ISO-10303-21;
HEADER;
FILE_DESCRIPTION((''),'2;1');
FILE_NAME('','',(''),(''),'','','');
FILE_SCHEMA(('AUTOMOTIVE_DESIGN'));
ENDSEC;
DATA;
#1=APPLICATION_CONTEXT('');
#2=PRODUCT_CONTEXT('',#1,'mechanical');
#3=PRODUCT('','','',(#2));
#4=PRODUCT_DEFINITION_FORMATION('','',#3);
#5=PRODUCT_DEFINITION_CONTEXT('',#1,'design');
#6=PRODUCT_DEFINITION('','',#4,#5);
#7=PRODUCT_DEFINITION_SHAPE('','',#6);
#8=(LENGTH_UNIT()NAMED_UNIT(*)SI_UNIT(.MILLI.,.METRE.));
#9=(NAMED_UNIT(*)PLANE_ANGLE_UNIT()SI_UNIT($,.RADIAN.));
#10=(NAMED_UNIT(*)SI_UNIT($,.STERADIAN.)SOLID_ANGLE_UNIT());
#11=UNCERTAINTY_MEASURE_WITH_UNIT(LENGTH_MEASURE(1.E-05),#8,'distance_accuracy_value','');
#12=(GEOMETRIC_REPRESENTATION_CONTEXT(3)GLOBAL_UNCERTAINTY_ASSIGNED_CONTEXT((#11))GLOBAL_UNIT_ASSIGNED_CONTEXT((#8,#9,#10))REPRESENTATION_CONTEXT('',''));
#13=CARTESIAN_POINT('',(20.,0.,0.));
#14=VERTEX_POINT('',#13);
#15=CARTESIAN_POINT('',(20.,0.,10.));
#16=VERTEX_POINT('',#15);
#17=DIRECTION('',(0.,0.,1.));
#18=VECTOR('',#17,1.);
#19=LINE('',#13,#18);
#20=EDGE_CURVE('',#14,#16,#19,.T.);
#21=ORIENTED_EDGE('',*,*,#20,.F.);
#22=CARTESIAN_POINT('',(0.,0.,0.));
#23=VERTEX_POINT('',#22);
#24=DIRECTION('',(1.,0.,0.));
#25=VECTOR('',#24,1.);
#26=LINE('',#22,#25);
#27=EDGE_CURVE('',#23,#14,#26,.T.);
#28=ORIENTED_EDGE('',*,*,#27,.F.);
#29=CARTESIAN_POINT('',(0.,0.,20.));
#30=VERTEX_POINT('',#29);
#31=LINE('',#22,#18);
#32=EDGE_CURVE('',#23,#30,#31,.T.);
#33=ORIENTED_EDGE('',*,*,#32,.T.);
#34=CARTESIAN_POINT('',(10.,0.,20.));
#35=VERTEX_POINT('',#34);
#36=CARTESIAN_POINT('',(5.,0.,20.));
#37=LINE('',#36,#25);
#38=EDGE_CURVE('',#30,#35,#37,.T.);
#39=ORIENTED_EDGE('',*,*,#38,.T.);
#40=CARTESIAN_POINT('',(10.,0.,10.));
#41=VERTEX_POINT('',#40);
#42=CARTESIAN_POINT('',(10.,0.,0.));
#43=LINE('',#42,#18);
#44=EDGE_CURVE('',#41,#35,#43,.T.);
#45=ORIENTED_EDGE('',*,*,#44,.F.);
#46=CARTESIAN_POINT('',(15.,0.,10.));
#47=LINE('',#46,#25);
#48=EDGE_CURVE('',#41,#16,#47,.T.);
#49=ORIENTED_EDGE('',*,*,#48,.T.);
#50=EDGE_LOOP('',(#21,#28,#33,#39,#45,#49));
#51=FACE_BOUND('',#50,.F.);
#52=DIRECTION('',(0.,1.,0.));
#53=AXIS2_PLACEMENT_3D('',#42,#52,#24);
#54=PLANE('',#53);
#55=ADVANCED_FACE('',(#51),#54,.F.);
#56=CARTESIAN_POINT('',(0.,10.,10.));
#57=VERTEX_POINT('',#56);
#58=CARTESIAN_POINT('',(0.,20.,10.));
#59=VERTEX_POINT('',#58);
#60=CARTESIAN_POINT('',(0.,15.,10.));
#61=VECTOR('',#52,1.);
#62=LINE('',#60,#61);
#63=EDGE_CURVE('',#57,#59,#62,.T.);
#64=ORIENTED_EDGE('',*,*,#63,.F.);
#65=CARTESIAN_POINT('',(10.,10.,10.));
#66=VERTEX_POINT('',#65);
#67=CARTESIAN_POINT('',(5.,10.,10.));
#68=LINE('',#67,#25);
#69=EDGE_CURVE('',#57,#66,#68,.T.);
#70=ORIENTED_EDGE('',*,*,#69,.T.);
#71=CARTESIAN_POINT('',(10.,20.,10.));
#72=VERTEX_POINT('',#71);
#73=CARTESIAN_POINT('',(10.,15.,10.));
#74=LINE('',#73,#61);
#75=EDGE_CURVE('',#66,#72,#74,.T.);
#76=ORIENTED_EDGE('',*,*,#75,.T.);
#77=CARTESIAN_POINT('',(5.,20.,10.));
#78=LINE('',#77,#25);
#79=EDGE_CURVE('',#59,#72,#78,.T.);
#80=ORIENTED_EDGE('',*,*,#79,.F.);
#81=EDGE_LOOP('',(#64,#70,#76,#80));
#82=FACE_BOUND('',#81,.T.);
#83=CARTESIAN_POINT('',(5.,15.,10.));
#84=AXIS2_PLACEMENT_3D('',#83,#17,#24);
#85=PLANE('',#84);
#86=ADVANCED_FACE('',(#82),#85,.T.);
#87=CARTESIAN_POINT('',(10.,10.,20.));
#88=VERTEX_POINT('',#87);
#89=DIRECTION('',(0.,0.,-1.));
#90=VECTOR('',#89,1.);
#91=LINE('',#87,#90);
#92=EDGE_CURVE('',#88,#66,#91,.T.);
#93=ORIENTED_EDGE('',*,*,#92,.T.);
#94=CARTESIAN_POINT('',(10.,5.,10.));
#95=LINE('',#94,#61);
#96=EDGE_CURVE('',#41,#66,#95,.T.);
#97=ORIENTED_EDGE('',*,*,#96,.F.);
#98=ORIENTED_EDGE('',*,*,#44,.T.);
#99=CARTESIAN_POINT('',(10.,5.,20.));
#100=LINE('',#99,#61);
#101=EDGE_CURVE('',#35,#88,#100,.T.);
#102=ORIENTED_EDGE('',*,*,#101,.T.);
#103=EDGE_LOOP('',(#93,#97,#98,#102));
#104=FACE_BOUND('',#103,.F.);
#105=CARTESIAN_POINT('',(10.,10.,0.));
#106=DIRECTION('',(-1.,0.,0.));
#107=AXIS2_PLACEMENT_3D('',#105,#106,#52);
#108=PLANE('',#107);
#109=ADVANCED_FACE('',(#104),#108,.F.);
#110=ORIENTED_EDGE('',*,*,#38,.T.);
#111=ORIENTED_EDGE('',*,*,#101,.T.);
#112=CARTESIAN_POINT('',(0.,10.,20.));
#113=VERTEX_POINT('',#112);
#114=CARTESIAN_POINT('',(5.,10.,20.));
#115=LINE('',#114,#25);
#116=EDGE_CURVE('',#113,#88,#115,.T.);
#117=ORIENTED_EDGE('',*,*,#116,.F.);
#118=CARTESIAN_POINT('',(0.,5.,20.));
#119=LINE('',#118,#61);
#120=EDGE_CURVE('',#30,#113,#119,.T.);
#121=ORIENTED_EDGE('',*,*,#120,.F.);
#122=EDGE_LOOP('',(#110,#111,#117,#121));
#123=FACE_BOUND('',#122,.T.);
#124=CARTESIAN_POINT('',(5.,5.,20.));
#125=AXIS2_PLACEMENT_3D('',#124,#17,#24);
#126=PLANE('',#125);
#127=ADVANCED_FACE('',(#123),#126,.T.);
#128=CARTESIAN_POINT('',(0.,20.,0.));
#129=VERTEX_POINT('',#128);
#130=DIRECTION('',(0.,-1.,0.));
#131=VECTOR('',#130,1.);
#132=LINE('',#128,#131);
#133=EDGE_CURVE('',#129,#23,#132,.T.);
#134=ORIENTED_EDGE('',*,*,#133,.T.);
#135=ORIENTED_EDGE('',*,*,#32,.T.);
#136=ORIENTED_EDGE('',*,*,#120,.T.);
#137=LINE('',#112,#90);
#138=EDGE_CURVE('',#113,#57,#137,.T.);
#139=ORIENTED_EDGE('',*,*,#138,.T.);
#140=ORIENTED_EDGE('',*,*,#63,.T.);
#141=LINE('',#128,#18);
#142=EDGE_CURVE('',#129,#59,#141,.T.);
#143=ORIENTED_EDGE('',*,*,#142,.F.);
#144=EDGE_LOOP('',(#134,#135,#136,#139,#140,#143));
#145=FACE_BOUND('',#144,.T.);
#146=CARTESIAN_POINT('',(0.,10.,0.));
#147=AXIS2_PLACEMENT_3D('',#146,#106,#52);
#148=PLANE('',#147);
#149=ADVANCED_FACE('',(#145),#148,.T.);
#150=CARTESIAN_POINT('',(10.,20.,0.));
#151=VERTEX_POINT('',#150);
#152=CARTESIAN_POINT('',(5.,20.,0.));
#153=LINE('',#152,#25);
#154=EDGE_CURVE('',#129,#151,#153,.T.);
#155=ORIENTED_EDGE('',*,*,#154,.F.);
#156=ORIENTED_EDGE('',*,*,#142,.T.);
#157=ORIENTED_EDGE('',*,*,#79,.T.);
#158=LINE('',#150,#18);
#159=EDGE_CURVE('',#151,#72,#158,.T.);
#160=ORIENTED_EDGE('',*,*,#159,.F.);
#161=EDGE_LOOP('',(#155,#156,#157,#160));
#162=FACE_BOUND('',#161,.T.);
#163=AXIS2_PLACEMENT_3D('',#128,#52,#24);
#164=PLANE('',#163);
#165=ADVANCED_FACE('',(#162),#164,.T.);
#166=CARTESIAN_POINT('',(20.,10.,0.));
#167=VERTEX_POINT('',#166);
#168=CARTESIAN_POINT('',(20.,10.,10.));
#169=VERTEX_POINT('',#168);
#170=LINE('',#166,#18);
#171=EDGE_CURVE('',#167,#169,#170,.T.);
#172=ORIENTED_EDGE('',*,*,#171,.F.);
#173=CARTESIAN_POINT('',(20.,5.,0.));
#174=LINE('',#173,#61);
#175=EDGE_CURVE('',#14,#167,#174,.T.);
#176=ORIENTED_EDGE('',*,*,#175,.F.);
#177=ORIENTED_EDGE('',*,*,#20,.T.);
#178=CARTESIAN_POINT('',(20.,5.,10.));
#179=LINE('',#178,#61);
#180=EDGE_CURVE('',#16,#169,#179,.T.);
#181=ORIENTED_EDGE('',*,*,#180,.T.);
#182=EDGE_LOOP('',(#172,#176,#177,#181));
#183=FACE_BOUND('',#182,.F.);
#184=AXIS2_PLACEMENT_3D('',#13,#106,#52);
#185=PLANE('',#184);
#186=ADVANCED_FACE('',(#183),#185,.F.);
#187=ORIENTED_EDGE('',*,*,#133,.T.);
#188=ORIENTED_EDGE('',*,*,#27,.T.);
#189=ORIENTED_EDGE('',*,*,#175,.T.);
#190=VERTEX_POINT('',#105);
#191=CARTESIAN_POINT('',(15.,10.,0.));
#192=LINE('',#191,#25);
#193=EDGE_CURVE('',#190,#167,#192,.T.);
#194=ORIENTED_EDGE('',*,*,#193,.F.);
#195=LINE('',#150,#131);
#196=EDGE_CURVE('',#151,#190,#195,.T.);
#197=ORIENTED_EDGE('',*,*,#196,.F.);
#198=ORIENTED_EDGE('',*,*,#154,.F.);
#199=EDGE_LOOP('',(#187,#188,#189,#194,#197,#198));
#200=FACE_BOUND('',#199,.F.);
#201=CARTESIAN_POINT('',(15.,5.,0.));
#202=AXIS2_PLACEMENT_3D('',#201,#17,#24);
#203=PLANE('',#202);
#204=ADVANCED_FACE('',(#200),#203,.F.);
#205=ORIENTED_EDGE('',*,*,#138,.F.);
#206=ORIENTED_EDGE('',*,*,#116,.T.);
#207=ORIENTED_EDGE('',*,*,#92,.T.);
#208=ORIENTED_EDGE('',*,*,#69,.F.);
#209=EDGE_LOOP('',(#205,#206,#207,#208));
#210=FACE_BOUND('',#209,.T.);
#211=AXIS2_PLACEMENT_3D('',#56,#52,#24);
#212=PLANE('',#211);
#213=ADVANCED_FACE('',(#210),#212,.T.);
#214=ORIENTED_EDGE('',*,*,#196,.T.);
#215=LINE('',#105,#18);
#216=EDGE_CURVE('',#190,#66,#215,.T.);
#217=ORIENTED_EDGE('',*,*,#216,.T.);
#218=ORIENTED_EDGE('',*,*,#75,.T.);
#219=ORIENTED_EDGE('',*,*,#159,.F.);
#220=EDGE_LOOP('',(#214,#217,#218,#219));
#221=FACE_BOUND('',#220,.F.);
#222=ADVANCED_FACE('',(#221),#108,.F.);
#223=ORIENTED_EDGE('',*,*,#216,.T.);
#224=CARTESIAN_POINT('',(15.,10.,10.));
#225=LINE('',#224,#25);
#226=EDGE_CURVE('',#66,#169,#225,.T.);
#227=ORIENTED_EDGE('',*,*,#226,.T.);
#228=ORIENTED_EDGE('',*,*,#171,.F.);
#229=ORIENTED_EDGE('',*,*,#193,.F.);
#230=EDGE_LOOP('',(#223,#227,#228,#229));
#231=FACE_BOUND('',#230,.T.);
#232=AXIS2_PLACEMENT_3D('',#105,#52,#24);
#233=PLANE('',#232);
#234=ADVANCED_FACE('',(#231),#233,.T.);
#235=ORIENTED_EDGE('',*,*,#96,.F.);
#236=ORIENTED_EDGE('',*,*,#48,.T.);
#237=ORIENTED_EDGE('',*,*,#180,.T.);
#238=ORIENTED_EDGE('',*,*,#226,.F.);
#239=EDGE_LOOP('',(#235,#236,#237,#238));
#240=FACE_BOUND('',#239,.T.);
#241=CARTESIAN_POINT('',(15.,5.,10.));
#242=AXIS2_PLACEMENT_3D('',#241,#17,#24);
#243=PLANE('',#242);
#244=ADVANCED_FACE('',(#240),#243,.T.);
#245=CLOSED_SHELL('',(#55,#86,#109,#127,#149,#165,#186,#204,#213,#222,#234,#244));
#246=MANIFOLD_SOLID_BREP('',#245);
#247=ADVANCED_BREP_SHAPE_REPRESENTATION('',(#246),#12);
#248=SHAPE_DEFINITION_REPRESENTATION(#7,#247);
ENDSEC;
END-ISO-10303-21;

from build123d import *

# Parameters (mm, degrees)
BOX001_W     = 10
BOX001_H     = 10
BOX001_DEPTH = 10
BOX003_W     = 10
BOX003_H     = 10
BOX003_DEPTH = 10
BOX004_W     = 10
BOX004_H     = 10
BOX004_DEPTH = 10
BOX_W        = 10
BOX_H        = 10
BOX_DEPTH    = 10


with BuildPart() as cub001:
    # Box001 → Box001 (new body)
    with BuildSketch(Plane.XY.offset(10)):
        with Locations((5, 5)):
            Rectangle(BOX001_W, BOX001_H)
    extrude(amount=BOX001_DEPTH)


with BuildPart() as cub003:
    # Box003 → Box003 (new body)
    with BuildSketch(Plane(origin=(0, 10, 0), x_dir=(1, 0, 0), z_dir=(0, 0, 1))):
        with Locations((5, 5)):
            Rectangle(BOX003_W, BOX003_H)
    extrude(amount=BOX003_DEPTH)


with BuildPart() as cub004:
    # Box004 → Box004 (new body)
    with BuildSketch(Plane(origin=(10, 0, 0), x_dir=(1, 0, 0), z_dir=(0, 0, 1))):
        with Locations((5, 5)):
            Rectangle(BOX004_W, BOX004_H)
    extrude(amount=BOX004_DEPTH)


with BuildPart() as fusion:
    # Box → Box (new body)
    with BuildSketch(Plane.XY):
        with Locations((5, 5)):
            Rectangle(BOX_W, BOX_H)
    extrude(amount=BOX_DEPTH)

    # Fusion: union Cub001, Cub003, Cub004
    add(cub001.part)
    add(cub003.part)
    add(cub004.part)


solid = fusion.part
